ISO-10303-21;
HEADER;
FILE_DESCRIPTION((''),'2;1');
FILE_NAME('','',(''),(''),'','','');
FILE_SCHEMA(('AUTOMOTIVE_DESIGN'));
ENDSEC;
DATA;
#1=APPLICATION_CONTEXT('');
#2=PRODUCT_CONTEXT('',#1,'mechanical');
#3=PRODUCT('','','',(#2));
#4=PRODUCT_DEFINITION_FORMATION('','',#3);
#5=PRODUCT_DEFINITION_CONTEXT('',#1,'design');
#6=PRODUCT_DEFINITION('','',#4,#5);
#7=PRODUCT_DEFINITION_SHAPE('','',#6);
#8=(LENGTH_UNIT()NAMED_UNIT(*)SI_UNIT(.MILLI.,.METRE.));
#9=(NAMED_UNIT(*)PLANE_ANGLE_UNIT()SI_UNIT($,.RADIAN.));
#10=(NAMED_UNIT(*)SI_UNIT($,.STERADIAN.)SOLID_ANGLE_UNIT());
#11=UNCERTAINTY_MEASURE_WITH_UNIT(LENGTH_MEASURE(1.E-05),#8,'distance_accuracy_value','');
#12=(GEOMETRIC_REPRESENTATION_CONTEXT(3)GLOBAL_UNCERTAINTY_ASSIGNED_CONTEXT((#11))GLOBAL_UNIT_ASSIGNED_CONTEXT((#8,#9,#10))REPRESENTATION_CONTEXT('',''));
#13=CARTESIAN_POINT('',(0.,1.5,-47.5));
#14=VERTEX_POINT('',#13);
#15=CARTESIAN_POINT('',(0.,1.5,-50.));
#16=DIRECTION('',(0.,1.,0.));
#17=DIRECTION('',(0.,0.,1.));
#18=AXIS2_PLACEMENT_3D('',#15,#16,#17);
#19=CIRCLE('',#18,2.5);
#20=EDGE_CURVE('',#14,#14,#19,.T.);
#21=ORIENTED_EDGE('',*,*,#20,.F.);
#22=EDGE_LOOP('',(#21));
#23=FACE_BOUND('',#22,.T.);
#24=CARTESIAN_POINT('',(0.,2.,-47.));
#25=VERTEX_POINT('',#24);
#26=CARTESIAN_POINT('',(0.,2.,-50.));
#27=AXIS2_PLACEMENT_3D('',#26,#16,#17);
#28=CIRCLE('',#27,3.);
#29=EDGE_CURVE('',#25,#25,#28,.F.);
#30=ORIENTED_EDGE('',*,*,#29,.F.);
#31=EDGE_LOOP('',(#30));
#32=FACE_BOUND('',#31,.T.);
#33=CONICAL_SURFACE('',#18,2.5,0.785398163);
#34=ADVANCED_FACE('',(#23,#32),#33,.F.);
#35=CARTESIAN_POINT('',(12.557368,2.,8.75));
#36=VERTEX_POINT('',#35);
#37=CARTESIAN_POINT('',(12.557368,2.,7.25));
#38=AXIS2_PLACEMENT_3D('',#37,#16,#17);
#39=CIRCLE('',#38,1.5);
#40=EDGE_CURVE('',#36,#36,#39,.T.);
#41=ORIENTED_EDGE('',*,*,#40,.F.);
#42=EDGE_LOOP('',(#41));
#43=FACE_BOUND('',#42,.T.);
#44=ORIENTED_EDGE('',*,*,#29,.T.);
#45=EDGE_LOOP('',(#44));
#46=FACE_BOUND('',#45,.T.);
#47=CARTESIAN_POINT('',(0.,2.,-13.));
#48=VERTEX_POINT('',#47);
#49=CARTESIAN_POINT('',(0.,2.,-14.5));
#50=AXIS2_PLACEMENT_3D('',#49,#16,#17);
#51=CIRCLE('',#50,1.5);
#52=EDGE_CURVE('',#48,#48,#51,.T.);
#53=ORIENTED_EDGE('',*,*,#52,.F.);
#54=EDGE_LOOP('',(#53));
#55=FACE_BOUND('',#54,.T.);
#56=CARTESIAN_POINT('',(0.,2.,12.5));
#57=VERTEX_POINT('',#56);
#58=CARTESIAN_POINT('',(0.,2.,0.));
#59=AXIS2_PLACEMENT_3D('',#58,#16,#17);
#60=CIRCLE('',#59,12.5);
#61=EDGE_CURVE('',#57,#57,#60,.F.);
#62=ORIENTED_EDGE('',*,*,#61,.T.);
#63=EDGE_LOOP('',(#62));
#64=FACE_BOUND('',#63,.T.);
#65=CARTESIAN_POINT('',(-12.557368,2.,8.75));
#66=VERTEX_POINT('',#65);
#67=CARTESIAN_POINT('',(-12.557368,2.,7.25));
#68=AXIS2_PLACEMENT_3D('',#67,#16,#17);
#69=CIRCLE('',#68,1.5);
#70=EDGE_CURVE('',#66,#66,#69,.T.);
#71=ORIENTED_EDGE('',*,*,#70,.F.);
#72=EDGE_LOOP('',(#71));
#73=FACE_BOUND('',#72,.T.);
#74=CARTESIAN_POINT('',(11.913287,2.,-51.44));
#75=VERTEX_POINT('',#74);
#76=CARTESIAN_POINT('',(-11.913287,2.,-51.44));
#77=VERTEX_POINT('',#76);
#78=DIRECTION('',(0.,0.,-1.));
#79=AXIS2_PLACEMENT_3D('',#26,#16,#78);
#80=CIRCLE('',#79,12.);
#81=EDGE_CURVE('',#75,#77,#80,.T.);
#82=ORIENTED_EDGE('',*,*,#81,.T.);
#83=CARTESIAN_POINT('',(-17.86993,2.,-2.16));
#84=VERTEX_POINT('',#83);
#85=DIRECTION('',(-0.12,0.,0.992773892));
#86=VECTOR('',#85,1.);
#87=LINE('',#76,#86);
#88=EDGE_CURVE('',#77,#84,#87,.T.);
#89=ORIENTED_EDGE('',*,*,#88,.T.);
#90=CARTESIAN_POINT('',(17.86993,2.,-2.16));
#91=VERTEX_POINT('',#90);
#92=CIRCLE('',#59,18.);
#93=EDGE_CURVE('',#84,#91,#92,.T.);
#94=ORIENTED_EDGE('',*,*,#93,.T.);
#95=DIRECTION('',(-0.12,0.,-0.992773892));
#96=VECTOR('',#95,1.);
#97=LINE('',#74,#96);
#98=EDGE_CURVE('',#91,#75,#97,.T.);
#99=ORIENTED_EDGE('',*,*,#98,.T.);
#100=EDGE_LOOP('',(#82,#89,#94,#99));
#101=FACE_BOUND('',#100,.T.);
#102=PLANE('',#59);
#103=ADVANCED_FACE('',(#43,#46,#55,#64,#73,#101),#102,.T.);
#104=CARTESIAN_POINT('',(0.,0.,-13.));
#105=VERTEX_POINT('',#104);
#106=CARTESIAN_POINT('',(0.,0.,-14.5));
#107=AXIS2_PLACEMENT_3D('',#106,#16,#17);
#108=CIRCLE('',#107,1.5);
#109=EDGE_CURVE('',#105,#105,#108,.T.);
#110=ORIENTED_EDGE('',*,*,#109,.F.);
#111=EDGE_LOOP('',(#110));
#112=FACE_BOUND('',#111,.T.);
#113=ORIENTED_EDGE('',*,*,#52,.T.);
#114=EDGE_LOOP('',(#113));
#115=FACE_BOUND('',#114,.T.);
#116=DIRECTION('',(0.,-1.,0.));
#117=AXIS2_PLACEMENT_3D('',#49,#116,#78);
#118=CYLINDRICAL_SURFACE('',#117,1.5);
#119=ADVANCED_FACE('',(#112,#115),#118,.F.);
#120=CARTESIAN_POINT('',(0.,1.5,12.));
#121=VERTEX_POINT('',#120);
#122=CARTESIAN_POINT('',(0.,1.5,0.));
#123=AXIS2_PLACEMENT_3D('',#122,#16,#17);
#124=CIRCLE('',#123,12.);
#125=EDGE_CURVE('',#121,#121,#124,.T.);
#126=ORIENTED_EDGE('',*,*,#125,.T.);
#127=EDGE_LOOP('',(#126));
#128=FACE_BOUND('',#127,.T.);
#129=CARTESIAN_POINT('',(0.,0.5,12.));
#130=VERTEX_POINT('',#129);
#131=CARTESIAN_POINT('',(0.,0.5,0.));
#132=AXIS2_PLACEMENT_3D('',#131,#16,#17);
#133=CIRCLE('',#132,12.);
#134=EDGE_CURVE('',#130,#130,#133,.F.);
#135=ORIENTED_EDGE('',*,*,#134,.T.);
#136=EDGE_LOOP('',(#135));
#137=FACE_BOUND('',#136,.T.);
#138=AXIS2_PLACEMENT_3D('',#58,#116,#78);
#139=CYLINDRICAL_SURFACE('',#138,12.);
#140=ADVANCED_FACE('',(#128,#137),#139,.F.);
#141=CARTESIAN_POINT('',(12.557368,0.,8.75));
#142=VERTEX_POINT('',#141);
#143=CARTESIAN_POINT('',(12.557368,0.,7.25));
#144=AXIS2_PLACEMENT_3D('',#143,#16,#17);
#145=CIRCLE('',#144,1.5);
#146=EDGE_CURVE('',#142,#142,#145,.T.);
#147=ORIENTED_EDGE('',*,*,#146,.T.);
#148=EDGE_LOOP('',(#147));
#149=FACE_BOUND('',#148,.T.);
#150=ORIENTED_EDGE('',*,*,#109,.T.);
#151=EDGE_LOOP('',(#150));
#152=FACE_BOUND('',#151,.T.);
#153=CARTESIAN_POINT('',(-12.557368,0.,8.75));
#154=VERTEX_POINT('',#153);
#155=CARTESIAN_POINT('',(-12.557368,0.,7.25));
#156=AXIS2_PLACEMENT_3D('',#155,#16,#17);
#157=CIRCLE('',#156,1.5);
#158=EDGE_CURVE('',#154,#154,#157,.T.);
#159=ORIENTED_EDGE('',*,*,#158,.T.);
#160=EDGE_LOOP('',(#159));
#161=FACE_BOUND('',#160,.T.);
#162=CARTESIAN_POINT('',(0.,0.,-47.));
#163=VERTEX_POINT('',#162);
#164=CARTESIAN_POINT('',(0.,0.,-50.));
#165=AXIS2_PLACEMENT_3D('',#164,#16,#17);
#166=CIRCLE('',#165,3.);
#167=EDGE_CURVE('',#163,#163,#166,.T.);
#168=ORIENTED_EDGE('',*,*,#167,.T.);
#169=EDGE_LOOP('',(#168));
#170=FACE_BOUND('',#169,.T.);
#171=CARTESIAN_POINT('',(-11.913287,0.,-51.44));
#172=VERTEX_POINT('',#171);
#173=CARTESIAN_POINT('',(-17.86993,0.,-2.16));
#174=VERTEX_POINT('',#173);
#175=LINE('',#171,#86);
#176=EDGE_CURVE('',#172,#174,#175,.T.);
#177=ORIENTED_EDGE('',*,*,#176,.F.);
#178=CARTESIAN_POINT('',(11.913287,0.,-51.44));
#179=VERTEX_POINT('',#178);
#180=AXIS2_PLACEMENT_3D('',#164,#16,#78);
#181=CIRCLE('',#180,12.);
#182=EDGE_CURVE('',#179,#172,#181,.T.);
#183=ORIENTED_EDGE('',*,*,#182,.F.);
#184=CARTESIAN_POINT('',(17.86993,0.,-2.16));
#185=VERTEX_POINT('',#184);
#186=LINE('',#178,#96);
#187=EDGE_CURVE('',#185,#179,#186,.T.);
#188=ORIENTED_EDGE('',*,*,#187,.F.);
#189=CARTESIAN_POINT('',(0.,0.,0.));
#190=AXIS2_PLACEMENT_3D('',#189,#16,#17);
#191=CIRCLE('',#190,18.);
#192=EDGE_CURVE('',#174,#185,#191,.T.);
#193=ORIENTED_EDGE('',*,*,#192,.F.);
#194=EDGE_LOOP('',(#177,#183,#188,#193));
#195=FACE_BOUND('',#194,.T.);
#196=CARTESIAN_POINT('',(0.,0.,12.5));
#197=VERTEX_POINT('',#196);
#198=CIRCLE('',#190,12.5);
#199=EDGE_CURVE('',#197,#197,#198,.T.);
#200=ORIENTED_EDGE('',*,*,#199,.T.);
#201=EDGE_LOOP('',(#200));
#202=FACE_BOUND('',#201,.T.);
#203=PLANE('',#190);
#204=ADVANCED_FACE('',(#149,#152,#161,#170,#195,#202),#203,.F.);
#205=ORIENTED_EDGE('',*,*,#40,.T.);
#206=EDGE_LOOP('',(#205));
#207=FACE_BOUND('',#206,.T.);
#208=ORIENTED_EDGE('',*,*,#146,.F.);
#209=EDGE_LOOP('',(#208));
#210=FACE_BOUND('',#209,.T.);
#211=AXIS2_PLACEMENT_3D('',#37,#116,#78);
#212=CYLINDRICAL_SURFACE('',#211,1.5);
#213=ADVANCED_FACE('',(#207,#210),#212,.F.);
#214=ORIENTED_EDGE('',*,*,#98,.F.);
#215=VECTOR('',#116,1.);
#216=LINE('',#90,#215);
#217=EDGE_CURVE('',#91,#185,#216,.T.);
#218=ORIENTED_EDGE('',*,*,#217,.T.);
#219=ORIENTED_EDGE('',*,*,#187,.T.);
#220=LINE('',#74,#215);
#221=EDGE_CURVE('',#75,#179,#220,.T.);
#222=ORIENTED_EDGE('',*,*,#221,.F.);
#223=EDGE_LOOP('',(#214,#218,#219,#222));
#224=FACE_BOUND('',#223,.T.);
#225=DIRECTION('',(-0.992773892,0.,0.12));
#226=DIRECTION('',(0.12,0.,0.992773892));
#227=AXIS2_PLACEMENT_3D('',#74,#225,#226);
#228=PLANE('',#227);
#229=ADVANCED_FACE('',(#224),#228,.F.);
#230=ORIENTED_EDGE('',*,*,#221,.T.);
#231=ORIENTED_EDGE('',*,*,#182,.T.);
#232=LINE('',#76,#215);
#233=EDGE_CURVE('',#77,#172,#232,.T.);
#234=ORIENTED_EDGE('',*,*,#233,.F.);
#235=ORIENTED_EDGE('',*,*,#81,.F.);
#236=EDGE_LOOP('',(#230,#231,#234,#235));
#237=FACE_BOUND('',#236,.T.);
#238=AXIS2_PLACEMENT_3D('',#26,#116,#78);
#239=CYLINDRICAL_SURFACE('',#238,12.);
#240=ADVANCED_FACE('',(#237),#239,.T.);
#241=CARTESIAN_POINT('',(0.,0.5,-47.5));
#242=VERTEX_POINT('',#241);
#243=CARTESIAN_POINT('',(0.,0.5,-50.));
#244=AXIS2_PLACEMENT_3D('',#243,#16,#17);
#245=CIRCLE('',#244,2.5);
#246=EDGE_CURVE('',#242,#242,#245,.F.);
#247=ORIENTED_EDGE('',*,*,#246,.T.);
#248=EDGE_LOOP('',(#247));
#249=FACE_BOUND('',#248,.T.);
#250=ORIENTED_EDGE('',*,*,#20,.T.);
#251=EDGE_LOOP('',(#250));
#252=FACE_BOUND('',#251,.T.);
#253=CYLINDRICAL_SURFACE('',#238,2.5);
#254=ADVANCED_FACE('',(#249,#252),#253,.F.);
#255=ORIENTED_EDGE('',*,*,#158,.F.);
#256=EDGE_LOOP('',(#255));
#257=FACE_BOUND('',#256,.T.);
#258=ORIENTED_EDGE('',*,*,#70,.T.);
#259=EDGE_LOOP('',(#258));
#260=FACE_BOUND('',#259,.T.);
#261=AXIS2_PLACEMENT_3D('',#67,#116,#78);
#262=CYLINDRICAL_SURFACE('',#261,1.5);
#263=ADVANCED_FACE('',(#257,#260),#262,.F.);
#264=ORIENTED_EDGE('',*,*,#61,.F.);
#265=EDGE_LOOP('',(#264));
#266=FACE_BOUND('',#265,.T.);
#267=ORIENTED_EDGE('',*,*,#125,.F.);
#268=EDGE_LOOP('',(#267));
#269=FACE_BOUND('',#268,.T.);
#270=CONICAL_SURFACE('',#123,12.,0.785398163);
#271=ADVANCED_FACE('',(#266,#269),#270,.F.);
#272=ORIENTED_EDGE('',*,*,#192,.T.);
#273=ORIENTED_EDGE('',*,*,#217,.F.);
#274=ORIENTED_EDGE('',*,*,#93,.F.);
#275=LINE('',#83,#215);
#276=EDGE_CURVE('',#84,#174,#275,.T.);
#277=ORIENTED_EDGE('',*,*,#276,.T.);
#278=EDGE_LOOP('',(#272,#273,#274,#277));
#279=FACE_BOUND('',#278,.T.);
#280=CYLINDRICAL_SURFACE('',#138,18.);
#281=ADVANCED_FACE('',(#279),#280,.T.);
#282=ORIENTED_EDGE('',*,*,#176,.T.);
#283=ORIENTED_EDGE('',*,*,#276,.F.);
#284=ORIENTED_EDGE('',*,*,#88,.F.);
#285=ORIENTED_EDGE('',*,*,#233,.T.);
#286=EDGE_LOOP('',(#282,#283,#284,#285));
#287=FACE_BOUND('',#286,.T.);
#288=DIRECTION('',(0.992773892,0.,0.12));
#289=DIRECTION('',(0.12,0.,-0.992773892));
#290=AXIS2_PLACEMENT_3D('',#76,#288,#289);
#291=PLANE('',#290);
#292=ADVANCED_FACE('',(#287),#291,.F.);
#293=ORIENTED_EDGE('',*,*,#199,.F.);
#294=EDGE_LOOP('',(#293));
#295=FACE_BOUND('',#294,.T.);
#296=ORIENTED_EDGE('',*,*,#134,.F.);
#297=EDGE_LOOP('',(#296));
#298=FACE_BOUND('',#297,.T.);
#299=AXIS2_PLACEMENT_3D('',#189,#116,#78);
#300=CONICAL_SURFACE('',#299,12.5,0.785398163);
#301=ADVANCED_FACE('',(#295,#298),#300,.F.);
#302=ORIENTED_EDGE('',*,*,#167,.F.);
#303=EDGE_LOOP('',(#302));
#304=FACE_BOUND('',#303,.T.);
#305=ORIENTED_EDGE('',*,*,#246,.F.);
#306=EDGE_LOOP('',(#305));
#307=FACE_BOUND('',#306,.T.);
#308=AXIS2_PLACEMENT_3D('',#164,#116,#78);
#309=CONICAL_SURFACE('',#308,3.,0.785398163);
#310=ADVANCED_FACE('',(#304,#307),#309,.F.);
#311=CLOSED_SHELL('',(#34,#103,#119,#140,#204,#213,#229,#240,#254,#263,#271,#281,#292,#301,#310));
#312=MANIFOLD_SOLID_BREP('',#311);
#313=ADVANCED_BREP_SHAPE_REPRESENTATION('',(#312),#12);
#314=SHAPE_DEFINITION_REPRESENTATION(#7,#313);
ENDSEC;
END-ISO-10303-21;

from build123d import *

# Parameters (mm, degrees)
ESQUISSE1_R      = 12
ESQUISSE1_R_2    = 2.5
ESQUISSE1_R_3    = 1.5
EXTRUSION1_DEPTH = 2
CHANFREIN1_SIZE  = 0.5


with BuildPart() as part:
    # Esquisse1 → Extrusion1 (new body)
    with BuildSketch(Plane(origin=(0, 0, 0), x_dir=(1, 0, 0), z_dir=(0, 1, 0))):
        with BuildLine():
            Line((-11.9132867, 51.44), (-17.86993005, 2.16))
            ThreePointArc((-17.86993005, 2.16), (0, -18), (17.86993005, 2.16))
            Line((17.86993005, 2.16), (11.9132867, 51.44))
            ThreePointArc((11.9132867, 51.44), (0, 62), (-11.9132867, 51.44))
        make_face()
        Circle(ESQUISSE1_R, mode=Mode.SUBTRACT)
        with Locations((0, 50)):
            Circle(ESQUISSE1_R_2, mode=Mode.SUBTRACT)
        with Locations((-12.557368355, -7.25)):
            Circle(ESQUISSE1_R_3, mode=Mode.SUBTRACT)
        with Locations((12.557368355, -7.25)):
            Circle(ESQUISSE1_R_3, mode=Mode.SUBTRACT)
        with Locations((0, 14.5)):
            Circle(ESQUISSE1_R_3, mode=Mode.SUBTRACT)
    extrude(amount=EXTRUSION1_DEPTH)

    # Chanfrein1
    chanfrein1_edges = [part.edges().sort_by_distance(p)[0] for p in [
        (-12, 0, 0),
        (-12, 2, 0),
        (-2.5, 0, -50),
        (-2.5, 2, -50),
    ]]
    chamfer(chanfrein1_edges, length=CHANFREIN1_SIZE)


solid = part.part
